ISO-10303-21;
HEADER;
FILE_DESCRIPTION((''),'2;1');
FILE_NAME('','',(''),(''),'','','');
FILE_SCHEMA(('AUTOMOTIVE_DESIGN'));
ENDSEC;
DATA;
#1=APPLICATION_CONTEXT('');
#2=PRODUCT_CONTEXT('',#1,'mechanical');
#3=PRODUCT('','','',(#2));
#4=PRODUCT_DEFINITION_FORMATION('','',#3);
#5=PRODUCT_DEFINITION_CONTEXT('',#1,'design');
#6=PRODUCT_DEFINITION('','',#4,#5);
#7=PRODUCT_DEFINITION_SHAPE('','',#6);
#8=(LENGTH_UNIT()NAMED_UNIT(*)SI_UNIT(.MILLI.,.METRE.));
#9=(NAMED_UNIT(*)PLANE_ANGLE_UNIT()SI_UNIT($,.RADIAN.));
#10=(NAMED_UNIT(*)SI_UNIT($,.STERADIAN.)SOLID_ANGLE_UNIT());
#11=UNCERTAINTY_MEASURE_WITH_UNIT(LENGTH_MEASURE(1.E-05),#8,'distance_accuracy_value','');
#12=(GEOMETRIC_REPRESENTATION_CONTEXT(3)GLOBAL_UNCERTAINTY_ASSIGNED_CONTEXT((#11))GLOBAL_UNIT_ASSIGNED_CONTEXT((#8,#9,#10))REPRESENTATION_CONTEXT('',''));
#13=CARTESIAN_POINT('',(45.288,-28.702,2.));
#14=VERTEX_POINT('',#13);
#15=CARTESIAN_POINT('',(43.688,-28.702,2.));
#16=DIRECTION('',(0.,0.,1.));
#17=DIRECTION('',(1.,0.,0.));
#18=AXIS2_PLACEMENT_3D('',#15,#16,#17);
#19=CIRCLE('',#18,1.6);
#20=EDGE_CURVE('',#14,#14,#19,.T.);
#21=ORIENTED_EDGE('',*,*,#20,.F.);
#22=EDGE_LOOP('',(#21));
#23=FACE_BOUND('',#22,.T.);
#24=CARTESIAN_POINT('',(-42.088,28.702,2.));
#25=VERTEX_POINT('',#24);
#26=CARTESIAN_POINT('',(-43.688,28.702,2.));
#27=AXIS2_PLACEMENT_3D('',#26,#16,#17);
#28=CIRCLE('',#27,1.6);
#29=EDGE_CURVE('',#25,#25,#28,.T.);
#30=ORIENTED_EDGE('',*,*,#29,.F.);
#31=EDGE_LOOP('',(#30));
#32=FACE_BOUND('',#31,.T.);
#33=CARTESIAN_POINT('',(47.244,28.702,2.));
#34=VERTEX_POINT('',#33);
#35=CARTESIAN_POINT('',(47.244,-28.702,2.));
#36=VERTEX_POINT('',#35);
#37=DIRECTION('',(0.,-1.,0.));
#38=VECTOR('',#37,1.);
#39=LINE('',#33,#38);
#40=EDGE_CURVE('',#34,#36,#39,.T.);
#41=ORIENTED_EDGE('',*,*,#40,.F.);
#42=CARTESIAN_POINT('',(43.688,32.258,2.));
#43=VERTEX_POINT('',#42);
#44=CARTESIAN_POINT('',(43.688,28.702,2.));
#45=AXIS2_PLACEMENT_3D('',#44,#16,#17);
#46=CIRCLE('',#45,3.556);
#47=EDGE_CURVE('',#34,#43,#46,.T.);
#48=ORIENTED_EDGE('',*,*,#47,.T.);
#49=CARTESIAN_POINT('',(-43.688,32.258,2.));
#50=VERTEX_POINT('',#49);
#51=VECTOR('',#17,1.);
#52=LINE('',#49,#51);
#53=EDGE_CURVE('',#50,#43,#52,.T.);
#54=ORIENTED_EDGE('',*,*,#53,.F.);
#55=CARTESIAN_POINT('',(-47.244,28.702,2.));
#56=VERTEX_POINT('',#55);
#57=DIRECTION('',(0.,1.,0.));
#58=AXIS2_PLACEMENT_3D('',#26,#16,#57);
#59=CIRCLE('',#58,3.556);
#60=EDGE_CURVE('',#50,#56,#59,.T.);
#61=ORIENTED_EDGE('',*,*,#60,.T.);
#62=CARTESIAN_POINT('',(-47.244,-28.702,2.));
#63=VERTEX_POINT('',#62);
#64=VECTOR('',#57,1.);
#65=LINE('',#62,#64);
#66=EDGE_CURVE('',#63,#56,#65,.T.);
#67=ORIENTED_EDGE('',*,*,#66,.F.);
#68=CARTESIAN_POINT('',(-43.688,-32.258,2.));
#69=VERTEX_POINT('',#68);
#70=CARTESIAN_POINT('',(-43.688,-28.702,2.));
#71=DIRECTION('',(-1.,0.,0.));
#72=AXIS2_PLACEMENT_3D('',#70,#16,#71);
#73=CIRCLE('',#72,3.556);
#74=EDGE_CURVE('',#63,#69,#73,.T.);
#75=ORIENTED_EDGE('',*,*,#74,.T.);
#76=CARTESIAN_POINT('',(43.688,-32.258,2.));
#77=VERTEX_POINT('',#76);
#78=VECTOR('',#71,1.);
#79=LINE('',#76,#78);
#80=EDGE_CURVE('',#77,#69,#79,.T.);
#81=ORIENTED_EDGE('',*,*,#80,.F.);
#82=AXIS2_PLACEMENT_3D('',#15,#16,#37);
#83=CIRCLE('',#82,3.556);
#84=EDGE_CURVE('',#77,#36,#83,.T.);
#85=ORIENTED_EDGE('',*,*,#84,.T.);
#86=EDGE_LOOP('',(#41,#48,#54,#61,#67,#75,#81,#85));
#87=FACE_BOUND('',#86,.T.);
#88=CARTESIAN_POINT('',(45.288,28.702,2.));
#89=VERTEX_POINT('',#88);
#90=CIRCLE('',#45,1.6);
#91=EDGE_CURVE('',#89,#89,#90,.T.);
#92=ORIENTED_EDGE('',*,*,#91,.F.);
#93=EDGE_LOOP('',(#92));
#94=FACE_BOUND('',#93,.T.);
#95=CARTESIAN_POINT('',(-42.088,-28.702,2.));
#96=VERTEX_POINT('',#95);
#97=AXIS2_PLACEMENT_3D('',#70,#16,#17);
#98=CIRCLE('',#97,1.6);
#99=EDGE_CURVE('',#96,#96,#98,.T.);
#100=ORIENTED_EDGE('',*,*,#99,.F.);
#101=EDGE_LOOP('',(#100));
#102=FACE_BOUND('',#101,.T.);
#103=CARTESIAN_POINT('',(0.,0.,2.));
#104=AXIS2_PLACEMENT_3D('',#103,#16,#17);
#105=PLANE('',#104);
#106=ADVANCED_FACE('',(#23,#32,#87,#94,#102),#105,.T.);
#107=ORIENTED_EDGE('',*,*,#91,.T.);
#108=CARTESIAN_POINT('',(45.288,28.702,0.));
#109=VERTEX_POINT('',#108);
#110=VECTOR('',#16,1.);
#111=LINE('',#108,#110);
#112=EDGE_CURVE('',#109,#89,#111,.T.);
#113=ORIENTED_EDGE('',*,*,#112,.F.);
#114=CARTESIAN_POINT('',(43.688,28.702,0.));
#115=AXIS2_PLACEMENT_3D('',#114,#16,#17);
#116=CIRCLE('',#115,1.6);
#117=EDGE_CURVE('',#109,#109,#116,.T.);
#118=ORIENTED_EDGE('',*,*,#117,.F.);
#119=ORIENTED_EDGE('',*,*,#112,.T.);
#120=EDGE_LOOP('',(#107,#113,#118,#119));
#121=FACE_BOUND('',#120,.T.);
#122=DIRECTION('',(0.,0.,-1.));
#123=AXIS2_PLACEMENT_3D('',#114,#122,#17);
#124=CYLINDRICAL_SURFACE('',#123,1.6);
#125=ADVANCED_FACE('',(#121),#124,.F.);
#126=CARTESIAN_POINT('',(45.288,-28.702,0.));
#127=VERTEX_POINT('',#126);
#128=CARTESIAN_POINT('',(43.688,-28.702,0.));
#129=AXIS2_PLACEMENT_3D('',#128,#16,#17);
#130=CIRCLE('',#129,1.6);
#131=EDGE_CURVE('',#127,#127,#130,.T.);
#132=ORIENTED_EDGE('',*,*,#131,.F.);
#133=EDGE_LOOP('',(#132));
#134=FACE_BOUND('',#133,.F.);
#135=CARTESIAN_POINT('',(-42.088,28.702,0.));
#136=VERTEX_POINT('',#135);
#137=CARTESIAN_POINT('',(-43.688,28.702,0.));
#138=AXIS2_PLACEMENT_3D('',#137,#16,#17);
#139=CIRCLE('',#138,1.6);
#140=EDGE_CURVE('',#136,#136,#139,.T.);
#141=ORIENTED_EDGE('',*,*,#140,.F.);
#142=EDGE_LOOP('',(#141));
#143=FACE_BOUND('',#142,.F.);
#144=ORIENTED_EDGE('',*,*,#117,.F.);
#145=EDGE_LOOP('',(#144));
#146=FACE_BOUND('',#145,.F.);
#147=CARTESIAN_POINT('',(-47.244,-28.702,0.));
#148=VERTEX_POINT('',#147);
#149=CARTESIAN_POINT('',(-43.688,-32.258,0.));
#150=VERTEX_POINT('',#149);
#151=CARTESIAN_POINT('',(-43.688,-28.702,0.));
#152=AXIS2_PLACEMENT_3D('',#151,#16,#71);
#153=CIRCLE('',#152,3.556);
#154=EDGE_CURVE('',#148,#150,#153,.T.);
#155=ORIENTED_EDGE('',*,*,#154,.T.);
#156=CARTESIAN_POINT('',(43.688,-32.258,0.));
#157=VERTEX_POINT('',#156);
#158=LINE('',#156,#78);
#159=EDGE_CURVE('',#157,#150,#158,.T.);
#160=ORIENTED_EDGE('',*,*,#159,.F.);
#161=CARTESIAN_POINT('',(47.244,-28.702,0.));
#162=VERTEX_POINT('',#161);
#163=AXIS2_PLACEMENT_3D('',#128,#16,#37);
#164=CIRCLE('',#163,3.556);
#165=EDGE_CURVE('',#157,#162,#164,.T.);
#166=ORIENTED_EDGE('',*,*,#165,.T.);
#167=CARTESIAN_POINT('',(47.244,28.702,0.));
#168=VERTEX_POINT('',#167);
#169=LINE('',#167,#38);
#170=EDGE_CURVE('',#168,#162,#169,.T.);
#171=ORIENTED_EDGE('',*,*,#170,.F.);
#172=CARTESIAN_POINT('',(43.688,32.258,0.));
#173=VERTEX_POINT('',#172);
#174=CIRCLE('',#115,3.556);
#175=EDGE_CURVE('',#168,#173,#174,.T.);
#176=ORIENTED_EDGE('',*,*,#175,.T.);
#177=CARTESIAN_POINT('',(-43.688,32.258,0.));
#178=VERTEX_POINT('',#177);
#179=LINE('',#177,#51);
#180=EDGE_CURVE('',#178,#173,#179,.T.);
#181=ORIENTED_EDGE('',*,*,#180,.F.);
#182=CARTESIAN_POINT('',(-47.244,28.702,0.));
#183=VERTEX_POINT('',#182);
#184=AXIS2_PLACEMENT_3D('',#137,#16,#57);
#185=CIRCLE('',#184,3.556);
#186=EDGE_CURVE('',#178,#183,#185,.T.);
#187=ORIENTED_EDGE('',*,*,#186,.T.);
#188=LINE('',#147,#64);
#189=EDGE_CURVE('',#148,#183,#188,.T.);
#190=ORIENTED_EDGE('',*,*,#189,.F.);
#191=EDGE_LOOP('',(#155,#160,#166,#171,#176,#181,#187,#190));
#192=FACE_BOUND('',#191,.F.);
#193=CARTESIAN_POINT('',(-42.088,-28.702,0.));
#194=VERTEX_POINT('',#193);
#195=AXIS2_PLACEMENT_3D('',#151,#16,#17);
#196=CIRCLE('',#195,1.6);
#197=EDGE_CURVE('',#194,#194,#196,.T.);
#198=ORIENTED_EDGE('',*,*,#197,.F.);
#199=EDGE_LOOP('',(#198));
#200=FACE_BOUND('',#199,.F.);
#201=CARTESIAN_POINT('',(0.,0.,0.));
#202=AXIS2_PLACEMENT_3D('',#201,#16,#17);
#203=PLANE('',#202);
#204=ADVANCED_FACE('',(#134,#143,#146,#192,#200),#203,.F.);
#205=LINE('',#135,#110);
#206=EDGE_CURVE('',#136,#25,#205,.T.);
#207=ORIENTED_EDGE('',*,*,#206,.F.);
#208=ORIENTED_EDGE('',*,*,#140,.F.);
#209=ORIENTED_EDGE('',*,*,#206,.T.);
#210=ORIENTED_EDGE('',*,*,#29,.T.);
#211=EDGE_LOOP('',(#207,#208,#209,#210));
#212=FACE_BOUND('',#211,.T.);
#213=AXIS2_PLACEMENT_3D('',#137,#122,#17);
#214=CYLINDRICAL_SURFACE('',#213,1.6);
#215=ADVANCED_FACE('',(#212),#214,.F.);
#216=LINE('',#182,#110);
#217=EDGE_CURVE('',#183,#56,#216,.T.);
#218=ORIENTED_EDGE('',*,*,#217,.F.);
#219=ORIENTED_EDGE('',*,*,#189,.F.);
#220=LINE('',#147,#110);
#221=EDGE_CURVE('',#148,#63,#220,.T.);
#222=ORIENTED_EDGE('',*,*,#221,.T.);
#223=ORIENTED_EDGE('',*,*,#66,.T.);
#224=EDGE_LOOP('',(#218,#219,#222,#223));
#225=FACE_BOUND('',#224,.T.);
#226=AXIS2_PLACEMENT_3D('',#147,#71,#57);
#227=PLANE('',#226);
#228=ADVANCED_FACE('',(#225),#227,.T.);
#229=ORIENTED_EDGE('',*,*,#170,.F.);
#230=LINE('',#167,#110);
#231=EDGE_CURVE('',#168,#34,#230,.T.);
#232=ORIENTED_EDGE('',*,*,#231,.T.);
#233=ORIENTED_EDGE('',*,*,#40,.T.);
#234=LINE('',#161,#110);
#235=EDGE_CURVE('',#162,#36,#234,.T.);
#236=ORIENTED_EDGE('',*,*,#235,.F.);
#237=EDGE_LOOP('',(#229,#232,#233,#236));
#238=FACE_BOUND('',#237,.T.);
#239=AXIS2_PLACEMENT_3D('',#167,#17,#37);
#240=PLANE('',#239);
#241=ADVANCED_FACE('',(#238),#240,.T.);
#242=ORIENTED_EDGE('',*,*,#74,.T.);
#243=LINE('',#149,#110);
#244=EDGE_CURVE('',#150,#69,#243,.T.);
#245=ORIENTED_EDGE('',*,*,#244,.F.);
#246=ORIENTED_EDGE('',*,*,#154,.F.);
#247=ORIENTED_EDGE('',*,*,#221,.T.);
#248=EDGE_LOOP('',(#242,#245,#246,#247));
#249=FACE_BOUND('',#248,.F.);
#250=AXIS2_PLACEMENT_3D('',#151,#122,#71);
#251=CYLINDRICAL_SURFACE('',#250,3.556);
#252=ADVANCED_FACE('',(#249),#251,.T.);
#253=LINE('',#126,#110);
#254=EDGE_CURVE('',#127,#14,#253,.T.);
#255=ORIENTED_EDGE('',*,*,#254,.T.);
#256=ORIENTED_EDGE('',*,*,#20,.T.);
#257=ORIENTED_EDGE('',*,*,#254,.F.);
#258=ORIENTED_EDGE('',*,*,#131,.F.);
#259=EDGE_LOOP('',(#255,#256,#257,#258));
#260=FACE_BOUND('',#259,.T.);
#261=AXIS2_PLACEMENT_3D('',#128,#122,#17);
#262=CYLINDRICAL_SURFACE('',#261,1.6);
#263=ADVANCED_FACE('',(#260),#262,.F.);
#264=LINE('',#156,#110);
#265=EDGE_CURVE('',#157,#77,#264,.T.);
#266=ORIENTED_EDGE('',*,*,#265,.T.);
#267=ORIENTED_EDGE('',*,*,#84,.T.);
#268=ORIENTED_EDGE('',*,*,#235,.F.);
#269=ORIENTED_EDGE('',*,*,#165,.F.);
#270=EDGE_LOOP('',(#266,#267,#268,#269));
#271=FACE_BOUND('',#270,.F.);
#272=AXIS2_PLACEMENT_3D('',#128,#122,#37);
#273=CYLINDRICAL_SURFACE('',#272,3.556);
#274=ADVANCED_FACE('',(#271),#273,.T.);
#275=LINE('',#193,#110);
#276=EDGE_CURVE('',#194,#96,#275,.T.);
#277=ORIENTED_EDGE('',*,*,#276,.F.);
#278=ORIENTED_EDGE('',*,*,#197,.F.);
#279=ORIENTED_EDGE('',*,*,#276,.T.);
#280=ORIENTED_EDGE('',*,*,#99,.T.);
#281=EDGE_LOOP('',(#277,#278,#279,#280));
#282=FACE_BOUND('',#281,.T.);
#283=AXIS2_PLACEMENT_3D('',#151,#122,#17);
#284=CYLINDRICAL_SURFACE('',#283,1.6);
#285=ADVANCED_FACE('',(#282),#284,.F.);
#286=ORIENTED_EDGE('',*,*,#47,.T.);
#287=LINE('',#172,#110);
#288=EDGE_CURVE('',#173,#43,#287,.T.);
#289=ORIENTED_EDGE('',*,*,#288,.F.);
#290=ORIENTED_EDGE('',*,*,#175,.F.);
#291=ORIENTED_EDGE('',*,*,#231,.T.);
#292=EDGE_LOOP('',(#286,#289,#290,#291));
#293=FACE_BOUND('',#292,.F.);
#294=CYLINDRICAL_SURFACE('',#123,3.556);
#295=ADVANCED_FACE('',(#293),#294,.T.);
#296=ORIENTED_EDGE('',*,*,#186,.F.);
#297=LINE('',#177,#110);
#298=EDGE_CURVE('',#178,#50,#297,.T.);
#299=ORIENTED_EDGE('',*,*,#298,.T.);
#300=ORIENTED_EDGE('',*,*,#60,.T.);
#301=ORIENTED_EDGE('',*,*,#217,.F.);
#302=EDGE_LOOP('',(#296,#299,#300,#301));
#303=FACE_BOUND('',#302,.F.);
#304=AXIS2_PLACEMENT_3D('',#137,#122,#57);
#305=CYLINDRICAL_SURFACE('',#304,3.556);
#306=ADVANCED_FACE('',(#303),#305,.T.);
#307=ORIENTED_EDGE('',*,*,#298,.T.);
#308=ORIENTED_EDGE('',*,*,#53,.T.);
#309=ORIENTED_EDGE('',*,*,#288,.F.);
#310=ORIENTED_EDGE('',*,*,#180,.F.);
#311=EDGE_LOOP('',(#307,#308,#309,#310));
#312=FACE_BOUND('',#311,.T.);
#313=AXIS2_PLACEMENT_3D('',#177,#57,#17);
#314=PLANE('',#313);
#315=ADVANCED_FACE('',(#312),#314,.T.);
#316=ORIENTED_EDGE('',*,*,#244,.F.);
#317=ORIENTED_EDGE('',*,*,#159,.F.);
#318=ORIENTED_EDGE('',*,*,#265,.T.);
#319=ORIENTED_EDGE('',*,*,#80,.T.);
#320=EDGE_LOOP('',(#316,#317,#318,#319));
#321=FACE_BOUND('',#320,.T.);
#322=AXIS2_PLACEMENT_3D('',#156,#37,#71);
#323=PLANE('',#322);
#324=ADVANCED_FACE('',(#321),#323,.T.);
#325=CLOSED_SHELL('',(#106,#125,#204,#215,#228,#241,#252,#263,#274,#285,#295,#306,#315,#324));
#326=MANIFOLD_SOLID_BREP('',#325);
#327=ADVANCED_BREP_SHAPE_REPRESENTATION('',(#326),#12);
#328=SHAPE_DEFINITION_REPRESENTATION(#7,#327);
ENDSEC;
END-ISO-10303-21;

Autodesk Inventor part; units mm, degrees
ref_plane "YZ Plane" through (0, 0, 0) normal (1, 0, 0) x (0, 1, 0)
ref_plane "XZ Plane" through (0, 0, 0) normal (0, 1, 0) x (-1, 0, 0)
ref_plane "XY Plane" through (0, 0, 0) normal (0, 0, 1) x (1, 0, 0)
sketch "Náčrt1" plane through (0, 0, 0) normal (0, 0, 1) x (1, 0, 0)
  line L0 (-43.688, 28.702) -> (43.688, 28.702) construction
  line L1 (43.688, 28.702) -> (43.688, -28.702) construction
  line L2 (43.688, -28.702) -> (-43.688, -28.702) construction
  line L3 (-43.688, -28.702) -> (-43.688, 28.702) construction
  line L4 (-43.688, 28.702) -> (43.688, -28.702) construction
  line L5 (43.688, 28.702) -> (-43.688, -28.702) construction
  circle A0 centre (-43.688, 28.702) radius 1.6
  circle A1 centre (43.688, 28.702) radius 1.6
  circle A2 centre (-43.688, -28.702) radius 1.6
  circle A3 centre (43.688, -28.702) radius 1.6
  line L6 (-43.688, 32.258) -> (43.688, 32.258)
  line L7 (47.244, 28.702) -> (47.244, -28.702)
  line L8 (43.688, -32.258) -> (-43.688, -32.258)
  line L9 (-47.244, -28.702) -> (-47.244, 28.702)
  line L10 (-47.244, 32.258) -> (47.244, -32.258) construction
  line L11 (47.244, 32.258) -> (-47.244, -32.258) construction
  line L12 (0, 28.702) -> (0, -28.702) construction
  line L13 (43.688, 0) -> (-43.688, 0) construction
  arc A4 (-47.244, -28.702) -> (-43.688, -32.258) centre (-43.688, -28.702) ccw
  arc A5 (43.688, -32.258) -> (47.244, -28.702) centre (43.688, -28.702) ccw
  arc A6 (47.244, 28.702) -> (43.688, 32.258) centre (43.688, 28.702) ccw
  arc A7 (-43.688, 32.258) -> (-47.244, 28.702) centre (-43.688, 28.702) ccw
  point P0 (0, 0)
  dimension "d0" = 3.2
  dimension "d1" = 87.376
  dimension "d2" = 94.488
  dimension "d3" = 64.516
  dimension "d5" = 57.404
  dimension "d6" = 3.2
  dimension "d7" = 3.556
extrude "Vysunutí1" add sketch "Náčrt1" along normal blind 2
sketch "Náčrt2" plane through (0, 0, 0) normal (0, 0, -1) x (-1, 0, 0)
  circle A0 centre (43.688, -28.702) radius 1.6 projected
  line L0 (43.688, -32.258) -> (-43.688, -32.258) projected
  arc A1 (43.688, -32.258) -> (47.244, -28.702) centre (43.688, -28.702) ccw projected
  line L1 (47.244, 28.702) -> (47.244, -28.702) projected
  arc A2 (47.244, 28.702) -> (43.688, 32.258) centre (43.688, 28.702) ccw projected
  line L2 (-43.688, 32.258) -> (43.688, 32.258) projected
  arc A3 (-43.688, 32.258) -> (-47.244, 28.702) centre (-43.688, 28.702) ccw projected
  line L3 (-47.244, -28.702) -> (-47.244, 28.702) projected
  arc A4 (-47.244, -28.702) -> (-43.688, -32.258) centre (-43.688, -28.702) ccw projected
  circle A5 centre (-43.688, -28.702) radius 1.6 projected
  circle A6 centre (43.688, -28.702) radius 1.6 projected
  circle A7 centre (-43.688, 28.702) radius 1.6 projected
  circle A8 centre (43.688, 28.702) radius 1.6 projected
  line L4 (52.244, -37.258) -> (-52.244, -37.258)
  line L5 (-52.244, -37.258) -> (-52.244, 37.258)
  line L6 (-52.244, 37.258) -> (52.244, 37.258)
  line L7 (52.244, 37.258) -> (52.244, -37.258)
  line L8 (52.244, -37.258) -> (-52.244, 37.258) construction
  line L9 (-52.244, -37.258) -> (52.244, 37.258) construction
  point P0 (0, 0)
  dimension "d10" = 5
  dimension "d11" = 5
properties part number "LF_LapTimer-Bottom"
